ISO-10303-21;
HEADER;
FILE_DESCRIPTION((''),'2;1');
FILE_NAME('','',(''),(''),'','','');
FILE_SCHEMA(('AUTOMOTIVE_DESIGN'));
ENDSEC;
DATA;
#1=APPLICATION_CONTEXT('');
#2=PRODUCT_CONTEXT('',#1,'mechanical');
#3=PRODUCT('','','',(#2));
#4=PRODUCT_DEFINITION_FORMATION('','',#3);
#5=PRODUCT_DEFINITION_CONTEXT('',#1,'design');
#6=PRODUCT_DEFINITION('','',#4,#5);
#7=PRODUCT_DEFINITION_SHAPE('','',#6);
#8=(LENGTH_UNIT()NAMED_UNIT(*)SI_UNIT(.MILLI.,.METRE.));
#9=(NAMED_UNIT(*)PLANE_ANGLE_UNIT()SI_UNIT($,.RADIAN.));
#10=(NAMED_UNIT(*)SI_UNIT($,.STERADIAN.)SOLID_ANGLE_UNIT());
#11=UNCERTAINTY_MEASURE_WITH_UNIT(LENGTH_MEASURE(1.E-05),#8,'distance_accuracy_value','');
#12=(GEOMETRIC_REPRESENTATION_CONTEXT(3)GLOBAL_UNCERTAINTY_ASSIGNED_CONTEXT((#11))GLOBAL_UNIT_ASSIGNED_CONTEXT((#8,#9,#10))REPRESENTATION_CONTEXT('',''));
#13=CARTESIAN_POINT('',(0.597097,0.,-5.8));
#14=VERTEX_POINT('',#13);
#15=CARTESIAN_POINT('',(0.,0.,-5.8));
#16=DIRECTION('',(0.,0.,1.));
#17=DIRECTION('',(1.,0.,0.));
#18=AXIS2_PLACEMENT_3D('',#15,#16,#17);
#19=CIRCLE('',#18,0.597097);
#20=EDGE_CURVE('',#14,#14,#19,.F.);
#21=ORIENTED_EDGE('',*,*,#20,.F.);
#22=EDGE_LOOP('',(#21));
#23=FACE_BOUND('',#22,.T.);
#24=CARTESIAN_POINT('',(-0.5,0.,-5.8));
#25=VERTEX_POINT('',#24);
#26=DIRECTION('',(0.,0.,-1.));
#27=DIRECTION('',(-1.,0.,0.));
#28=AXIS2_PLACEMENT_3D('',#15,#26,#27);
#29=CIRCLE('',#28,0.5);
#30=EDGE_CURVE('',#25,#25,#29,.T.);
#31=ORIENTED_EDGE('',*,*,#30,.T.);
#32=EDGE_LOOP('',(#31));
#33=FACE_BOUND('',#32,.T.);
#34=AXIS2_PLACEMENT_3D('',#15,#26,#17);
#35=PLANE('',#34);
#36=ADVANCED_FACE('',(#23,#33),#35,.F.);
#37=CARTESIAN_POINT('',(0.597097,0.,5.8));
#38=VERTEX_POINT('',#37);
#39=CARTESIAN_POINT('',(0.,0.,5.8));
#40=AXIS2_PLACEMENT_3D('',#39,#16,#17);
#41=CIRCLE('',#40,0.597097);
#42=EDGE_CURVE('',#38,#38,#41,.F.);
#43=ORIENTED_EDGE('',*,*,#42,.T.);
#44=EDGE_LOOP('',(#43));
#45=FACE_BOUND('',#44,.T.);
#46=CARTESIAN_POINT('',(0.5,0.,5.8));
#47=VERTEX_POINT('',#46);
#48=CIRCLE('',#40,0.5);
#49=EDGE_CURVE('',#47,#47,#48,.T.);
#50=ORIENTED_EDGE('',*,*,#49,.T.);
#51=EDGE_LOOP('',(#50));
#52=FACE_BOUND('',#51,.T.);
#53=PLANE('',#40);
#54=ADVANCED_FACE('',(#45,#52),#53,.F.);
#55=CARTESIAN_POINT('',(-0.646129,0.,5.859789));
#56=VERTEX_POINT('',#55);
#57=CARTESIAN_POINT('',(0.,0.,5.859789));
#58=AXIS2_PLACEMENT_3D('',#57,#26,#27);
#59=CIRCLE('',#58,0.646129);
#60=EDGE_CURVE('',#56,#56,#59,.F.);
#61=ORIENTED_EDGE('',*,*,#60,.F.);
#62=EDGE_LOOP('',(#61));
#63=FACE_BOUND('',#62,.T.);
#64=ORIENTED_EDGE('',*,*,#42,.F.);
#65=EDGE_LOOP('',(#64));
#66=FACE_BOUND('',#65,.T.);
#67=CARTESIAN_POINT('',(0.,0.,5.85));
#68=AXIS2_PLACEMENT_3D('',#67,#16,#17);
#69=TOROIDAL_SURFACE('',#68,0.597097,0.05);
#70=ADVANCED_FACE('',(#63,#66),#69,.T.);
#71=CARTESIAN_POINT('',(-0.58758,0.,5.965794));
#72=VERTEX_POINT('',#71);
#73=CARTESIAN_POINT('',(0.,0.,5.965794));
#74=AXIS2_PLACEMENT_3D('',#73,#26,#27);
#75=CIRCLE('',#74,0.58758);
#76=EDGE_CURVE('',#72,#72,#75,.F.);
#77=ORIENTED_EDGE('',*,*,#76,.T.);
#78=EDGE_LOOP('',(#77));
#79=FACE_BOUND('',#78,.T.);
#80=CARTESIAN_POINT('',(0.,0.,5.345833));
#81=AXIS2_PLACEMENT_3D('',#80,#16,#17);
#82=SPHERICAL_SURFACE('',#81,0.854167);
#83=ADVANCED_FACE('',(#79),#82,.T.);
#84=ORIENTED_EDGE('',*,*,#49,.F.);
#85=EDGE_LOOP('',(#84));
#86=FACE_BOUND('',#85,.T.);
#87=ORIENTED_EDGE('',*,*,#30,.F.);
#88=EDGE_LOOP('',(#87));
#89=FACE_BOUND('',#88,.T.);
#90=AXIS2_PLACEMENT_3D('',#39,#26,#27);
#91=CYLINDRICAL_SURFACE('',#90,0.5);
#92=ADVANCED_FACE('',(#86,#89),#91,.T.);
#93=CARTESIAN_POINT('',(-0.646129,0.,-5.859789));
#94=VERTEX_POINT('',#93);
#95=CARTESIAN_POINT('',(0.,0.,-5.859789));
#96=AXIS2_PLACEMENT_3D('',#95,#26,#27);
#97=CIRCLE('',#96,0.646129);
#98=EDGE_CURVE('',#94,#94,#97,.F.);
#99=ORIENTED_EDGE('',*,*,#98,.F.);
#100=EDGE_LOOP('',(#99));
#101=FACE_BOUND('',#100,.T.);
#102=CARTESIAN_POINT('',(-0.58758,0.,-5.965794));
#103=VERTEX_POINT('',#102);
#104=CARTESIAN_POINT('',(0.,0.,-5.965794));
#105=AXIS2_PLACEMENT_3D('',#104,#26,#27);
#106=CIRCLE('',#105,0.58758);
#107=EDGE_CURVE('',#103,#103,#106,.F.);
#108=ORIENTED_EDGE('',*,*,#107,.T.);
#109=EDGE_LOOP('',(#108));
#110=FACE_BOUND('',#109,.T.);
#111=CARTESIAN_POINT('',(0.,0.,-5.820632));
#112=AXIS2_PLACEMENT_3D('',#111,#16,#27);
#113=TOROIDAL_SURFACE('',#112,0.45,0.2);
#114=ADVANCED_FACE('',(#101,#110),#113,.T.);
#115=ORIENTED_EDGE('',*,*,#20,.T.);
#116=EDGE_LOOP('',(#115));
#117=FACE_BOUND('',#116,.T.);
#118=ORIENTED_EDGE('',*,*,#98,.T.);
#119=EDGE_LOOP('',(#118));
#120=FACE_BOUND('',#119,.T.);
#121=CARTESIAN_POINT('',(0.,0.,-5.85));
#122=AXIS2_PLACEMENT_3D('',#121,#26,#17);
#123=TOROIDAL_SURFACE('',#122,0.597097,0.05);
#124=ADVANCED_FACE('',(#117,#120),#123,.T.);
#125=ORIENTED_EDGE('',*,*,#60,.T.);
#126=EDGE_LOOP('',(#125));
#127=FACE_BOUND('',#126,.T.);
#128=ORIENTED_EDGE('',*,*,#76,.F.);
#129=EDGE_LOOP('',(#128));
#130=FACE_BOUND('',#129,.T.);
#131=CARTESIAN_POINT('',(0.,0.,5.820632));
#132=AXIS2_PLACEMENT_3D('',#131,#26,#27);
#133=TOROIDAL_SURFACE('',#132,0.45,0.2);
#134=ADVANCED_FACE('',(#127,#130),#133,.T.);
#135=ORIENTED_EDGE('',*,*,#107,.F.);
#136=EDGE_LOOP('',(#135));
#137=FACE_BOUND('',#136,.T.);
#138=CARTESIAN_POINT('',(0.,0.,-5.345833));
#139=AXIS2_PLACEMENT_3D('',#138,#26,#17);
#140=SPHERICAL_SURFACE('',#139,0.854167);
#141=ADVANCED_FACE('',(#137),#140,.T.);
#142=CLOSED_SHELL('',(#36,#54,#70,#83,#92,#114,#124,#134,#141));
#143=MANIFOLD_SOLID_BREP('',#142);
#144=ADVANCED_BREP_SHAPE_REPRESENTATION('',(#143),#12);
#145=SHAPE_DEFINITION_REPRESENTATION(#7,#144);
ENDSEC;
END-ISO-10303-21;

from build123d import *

# Parameters (mm, degrees)
SKETCH1_R                  = 0.5
BOSS_EXTRUDE1_DEPTH        = 5.8
SKETCH2_R                  = 0.65
BOSS_EXTRUDE2_DEPTH        = 0.1
DOME1_FACE_RADIUS          = 0.65
DOME1_HEIGHT               = 0.3
FILLET1_R                  = 0.2
FILLET3_R                  = 0.05
MIRROR2_COPY_1_FACE_RADIUS = 0.65
MIRROR2_COPY_1_HEIGHT      = 0.3
FILLET1_OF_MIRROR2_R       = 0.2
FILLET3_OF_MIRROR2_R       = 0.05


with BuildPart() as part:
    # Sketch1 → Boss-Extrude1 (new, symmetric)
    with BuildSketch(Plane.XY):
        Circle(SKETCH1_R)
    extrude(amount=BOSS_EXTRUDE1_DEPTH, both=True)

    # Sketch2 → Boss-Extrude2 (add)
    with BuildSketch(Plane.XY.offset(5.8)):
        Circle(SKETCH2_R)
    boss_extrude2 = extrude(amount=BOSS_EXTRUDE2_DEPTH)

    # Dome1: a dome of height H over a round flat face of radius A is a cap of a sphere of radius (A * A + H * H) / (2 * H)
    dome1_r = (DOME1_FACE_RADIUS * DOME1_FACE_RADIUS + DOME1_HEIGHT * DOME1_HEIGHT) / (2 * DOME1_HEIGHT)
    dome1_base = Plane((0, 0, 5.9), z_dir=(0, 0, 1))
    with Locations(dome1_base.offset(DOME1_HEIGHT - dome1_r)):
        dome1_ball = Sphere(dome1_r, mode=Mode.PRIVATE)
    add(split(dome1_ball, bisect_by=dome1_base, keep=Keep.TOP, mode=Mode.PRIVATE))

    # Fillet1
    fillet1_edges = [part.edges().sort_by_distance(p)[0] for p in [
        (-0.65, 0, 5.9),
    ]]
    fillet(fillet1_edges, radius=FILLET1_R)

    # Fillet3
    fillet3_edges = [part.edges().sort_by_distance(p)[0] for p in [
        (-0.65, 0, 5.8),
    ]]
    fillet(fillet3_edges, radius=FILLET3_R)

    # Mirror2: Boss-Extrude2 across plane
    add(boss_extrude2.mirror(Plane.XY))

    # Mirror2 copy 1: a dome of height H over a round flat face of radius A is a cap of a sphere of radius (A * A + H * H) / (2 * H)
    mirror2_copy_1_r = (MIRROR2_COPY_1_FACE_RADIUS * MIRROR2_COPY_1_FACE_RADIUS + MIRROR2_COPY_1_HEIGHT * MIRROR2_COPY_1_HEIGHT) / (2 * MIRROR2_COPY_1_HEIGHT)
    mirror2_copy_1_base = Plane((0, 0, -5.9), z_dir=(0, 0, -1))
    with Locations(mirror2_copy_1_base.offset(MIRROR2_COPY_1_HEIGHT - mirror2_copy_1_r)):
        mirror2_copy_1_ball = Sphere(mirror2_copy_1_r, mode=Mode.PRIVATE)
    add(split(mirror2_copy_1_ball, bisect_by=mirror2_copy_1_base, keep=Keep.TOP, mode=Mode.PRIVATE))

    # Fillet1 of Mirror2
    fillet1_of_mirror2_edges = [part.edges().sort_by_distance(p)[0] for p in [
        (-0.65, 0, -5.9),
    ]]
    fillet(fillet1_of_mirror2_edges, radius=FILLET1_OF_MIRROR2_R)

    # Fillet3 of Mirror2
    fillet3_of_mirror2_edges = [part.edges().sort_by_distance(p)[0] for p in [
        (-0.65, 0, -5.8),
    ]]
    fillet(fillet3_of_mirror2_edges, radius=FILLET3_OF_MIRROR2_R)


solid = part.part
